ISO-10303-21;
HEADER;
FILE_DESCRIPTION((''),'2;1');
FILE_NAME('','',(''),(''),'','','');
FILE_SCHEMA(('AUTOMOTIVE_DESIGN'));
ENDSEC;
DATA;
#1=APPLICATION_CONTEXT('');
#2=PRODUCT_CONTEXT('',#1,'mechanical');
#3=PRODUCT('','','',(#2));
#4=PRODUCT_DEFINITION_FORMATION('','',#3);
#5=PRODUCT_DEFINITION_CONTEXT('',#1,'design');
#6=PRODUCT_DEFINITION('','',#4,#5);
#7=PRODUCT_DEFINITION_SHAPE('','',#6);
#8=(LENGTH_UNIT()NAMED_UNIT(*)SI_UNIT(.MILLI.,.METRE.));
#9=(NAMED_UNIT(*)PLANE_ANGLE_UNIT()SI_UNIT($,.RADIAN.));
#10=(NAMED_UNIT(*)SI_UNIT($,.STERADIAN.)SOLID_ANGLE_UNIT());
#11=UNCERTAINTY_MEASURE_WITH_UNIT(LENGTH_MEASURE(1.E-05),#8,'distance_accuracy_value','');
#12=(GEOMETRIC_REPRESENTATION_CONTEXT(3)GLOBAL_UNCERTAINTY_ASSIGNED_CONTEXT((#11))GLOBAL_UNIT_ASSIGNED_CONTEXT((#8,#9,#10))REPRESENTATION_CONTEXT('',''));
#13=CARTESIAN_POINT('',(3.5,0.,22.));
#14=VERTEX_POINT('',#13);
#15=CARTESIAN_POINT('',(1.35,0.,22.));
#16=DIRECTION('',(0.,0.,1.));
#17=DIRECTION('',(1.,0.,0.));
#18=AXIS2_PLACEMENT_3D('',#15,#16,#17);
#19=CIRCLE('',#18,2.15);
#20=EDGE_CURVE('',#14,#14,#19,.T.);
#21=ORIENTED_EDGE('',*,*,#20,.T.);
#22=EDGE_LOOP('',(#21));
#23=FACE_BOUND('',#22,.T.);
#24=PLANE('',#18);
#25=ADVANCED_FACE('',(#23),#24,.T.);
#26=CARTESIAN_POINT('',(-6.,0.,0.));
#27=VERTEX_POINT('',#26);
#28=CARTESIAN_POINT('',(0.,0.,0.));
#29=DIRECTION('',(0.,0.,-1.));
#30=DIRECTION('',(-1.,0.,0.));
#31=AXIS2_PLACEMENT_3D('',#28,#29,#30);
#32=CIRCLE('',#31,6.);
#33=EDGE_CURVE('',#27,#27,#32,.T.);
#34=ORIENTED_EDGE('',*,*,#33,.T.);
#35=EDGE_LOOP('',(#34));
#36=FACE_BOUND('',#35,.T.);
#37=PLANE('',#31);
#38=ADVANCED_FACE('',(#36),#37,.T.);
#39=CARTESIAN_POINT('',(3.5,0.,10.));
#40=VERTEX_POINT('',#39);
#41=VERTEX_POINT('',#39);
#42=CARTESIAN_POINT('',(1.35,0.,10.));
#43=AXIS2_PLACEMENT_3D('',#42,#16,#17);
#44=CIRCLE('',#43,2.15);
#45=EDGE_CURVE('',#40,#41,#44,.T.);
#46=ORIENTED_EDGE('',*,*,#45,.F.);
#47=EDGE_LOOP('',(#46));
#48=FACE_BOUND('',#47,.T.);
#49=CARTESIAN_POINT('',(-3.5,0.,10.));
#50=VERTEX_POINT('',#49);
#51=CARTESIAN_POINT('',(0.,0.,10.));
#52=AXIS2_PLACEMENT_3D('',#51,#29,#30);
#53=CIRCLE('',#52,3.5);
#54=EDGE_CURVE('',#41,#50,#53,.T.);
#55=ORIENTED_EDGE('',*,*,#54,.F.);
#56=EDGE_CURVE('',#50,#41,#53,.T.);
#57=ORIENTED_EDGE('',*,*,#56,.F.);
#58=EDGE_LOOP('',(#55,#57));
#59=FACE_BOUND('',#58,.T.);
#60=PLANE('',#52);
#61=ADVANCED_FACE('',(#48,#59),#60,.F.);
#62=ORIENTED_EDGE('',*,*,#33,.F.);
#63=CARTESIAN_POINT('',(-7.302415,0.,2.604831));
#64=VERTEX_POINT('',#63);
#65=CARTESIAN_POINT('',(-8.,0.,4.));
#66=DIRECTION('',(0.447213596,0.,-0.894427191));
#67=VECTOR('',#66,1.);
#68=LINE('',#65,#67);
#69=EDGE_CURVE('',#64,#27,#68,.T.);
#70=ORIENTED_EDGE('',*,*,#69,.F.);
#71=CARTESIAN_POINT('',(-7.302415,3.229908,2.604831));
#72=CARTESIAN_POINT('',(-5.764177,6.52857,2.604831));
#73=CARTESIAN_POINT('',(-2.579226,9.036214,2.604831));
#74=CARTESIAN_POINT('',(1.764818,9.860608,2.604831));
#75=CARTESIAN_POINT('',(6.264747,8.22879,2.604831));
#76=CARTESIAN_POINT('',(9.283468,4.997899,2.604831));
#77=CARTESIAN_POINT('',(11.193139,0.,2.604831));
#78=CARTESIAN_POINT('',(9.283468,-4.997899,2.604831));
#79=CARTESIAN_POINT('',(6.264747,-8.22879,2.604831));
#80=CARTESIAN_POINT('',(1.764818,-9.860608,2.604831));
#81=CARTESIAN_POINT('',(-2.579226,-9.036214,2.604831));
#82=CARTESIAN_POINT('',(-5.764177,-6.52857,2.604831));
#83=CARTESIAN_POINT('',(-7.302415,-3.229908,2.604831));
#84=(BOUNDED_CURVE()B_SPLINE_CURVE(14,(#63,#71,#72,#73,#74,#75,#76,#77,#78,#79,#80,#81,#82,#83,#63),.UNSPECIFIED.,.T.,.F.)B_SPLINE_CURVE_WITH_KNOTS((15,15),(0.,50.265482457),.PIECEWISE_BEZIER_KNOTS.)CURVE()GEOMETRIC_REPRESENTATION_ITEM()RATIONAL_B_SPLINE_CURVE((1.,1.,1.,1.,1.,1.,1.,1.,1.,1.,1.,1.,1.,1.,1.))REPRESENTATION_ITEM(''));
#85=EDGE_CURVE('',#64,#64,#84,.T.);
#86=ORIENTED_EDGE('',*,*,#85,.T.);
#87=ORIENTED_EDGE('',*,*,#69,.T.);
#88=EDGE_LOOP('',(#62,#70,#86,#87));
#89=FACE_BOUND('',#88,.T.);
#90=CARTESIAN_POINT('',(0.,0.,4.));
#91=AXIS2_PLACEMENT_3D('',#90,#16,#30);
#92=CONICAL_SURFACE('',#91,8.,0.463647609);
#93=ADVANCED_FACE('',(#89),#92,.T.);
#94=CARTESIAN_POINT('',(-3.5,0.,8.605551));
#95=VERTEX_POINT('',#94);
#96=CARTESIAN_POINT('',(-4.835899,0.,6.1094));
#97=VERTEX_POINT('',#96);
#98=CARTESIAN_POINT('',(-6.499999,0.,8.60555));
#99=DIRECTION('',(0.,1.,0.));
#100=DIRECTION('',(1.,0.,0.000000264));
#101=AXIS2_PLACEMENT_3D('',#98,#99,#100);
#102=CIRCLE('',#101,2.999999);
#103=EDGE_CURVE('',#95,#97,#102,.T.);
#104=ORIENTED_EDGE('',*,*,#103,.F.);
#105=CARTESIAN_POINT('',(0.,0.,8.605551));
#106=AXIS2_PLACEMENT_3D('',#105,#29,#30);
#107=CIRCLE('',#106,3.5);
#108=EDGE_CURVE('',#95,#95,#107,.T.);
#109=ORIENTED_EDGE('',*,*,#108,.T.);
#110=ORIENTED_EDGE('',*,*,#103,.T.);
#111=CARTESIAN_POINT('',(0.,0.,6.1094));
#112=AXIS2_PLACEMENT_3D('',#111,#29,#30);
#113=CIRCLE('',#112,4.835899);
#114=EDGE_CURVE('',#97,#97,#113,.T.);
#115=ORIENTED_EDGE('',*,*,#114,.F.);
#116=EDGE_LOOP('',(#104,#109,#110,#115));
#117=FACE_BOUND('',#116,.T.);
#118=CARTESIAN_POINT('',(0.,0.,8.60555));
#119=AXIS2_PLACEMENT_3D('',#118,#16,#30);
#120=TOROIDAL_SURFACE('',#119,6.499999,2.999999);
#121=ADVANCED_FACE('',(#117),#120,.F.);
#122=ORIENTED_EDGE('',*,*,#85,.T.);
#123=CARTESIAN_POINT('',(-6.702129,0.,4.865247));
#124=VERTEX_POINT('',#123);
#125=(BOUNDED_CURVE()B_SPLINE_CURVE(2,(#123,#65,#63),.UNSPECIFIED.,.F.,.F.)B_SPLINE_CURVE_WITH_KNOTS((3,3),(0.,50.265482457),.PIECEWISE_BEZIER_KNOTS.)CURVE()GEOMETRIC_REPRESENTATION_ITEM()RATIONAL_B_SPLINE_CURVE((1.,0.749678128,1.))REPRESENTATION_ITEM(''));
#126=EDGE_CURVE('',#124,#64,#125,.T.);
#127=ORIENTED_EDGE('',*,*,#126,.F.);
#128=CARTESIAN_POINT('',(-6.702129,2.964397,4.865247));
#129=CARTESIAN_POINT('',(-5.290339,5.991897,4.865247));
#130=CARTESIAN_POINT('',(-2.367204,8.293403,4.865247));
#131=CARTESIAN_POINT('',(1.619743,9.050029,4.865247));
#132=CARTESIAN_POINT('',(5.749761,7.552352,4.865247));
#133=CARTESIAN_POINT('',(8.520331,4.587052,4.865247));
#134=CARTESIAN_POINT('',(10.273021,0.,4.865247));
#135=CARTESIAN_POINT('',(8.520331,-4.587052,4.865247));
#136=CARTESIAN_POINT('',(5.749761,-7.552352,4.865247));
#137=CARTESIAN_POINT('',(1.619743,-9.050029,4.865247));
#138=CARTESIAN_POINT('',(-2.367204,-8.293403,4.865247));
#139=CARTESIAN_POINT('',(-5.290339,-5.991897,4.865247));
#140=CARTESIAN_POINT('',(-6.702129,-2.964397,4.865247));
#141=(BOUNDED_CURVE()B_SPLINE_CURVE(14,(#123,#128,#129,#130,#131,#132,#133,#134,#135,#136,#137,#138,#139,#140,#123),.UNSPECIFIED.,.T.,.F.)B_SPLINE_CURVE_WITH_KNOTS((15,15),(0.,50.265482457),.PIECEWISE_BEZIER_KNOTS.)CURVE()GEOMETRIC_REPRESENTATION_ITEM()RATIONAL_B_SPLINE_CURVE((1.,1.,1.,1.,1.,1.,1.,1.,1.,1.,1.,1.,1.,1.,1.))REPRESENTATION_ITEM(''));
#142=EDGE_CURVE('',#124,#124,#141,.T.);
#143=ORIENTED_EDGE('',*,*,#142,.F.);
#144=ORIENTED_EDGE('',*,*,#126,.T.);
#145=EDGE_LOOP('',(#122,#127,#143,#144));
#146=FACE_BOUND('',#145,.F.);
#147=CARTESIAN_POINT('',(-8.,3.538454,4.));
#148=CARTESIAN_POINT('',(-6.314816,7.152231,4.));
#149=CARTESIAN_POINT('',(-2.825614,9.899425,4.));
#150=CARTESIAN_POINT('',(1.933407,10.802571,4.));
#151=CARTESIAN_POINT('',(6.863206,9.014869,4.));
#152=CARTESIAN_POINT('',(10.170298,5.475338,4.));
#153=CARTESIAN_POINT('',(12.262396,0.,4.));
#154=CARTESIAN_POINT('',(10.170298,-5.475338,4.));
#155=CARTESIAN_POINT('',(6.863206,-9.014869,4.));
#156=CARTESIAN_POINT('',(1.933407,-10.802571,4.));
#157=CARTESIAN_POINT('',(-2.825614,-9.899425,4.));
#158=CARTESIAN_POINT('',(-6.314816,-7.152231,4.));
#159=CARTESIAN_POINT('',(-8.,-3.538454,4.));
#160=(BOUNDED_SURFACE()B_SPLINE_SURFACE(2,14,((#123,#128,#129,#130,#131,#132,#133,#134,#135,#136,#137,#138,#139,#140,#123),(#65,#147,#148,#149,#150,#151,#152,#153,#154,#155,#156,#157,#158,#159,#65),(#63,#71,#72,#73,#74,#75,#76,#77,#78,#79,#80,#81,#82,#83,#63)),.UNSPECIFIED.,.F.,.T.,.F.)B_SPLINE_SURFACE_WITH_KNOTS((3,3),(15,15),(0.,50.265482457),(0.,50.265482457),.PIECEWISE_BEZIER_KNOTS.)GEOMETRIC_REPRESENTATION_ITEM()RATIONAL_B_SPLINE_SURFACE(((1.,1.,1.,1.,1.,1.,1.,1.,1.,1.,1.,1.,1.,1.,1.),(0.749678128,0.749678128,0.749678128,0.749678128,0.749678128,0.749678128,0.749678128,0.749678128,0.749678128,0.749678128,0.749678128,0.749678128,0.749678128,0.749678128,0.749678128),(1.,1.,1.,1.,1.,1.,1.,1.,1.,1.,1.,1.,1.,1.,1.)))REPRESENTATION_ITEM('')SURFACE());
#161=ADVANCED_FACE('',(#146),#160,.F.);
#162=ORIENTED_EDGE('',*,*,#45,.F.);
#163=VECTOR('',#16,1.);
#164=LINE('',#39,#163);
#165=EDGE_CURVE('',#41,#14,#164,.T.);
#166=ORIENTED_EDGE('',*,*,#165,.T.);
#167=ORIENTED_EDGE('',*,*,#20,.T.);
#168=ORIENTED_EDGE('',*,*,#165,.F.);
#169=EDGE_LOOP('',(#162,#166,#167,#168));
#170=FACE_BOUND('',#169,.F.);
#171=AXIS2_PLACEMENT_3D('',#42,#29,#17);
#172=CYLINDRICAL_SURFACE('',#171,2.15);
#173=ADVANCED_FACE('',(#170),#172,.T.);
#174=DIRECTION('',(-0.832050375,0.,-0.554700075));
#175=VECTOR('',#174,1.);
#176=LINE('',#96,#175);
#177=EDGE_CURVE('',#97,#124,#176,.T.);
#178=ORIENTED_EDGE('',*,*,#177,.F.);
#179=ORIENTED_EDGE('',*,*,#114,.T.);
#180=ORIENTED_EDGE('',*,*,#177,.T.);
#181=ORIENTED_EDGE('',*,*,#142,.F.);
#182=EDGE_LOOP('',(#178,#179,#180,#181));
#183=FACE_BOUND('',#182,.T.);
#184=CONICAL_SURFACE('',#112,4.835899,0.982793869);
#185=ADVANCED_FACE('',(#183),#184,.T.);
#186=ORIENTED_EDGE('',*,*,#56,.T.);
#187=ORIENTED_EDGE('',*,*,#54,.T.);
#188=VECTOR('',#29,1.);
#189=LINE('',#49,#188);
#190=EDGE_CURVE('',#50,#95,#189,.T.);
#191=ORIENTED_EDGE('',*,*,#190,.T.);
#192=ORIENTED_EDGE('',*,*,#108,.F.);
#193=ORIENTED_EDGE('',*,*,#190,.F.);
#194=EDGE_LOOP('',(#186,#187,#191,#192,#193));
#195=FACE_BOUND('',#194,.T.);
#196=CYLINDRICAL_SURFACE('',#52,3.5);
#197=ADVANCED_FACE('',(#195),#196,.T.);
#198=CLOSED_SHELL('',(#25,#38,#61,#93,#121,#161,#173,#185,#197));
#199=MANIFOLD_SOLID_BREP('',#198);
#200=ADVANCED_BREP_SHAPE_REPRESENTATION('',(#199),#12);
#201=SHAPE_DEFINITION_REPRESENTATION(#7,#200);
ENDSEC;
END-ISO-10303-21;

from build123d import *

# Parameters (mm, degrees)
F2_R     = 1.766966
F3_R     = 2.15
F4_DEPTH = 12


with BuildPart() as f1:
    # F0 (on Front) → F1 (revolve)
    with BuildSketch(Plane.XZ):
        with BuildLine():
            Line((-6, 0), (0, 0))
            Line((0, 0), (0, 10))
            Line((0, 10), (-3.5, 10))
            Line((-3.5, 10), (-3.5, 8.605551))
            ThreePointArc((-3.5, 8.605551), (-3.854976, 7.189977), (-4.835899, 6.1094))
            Line((-4.835899, 6.1094), (-8, 4))
            Line((-8, 4), (-6, 0))
        make_face()
    revolve(axis=Axis((0, 0, 5), (0, 0, -1)))

    # F2
    f2_edges = [f1.edges().sort_by_distance(p)[0] for p in [
        (8, 0, 4),
    ]]
    fillet(f2_edges, radius=F2_R)

    # F3 (on face) → F4 (join)
    with BuildSketch(Plane.XY.offset(10)):
        with Locations((1.35, 0)):
            Circle(F3_R)
    extrude(amount=F4_DEPTH)


solid = f1.part
